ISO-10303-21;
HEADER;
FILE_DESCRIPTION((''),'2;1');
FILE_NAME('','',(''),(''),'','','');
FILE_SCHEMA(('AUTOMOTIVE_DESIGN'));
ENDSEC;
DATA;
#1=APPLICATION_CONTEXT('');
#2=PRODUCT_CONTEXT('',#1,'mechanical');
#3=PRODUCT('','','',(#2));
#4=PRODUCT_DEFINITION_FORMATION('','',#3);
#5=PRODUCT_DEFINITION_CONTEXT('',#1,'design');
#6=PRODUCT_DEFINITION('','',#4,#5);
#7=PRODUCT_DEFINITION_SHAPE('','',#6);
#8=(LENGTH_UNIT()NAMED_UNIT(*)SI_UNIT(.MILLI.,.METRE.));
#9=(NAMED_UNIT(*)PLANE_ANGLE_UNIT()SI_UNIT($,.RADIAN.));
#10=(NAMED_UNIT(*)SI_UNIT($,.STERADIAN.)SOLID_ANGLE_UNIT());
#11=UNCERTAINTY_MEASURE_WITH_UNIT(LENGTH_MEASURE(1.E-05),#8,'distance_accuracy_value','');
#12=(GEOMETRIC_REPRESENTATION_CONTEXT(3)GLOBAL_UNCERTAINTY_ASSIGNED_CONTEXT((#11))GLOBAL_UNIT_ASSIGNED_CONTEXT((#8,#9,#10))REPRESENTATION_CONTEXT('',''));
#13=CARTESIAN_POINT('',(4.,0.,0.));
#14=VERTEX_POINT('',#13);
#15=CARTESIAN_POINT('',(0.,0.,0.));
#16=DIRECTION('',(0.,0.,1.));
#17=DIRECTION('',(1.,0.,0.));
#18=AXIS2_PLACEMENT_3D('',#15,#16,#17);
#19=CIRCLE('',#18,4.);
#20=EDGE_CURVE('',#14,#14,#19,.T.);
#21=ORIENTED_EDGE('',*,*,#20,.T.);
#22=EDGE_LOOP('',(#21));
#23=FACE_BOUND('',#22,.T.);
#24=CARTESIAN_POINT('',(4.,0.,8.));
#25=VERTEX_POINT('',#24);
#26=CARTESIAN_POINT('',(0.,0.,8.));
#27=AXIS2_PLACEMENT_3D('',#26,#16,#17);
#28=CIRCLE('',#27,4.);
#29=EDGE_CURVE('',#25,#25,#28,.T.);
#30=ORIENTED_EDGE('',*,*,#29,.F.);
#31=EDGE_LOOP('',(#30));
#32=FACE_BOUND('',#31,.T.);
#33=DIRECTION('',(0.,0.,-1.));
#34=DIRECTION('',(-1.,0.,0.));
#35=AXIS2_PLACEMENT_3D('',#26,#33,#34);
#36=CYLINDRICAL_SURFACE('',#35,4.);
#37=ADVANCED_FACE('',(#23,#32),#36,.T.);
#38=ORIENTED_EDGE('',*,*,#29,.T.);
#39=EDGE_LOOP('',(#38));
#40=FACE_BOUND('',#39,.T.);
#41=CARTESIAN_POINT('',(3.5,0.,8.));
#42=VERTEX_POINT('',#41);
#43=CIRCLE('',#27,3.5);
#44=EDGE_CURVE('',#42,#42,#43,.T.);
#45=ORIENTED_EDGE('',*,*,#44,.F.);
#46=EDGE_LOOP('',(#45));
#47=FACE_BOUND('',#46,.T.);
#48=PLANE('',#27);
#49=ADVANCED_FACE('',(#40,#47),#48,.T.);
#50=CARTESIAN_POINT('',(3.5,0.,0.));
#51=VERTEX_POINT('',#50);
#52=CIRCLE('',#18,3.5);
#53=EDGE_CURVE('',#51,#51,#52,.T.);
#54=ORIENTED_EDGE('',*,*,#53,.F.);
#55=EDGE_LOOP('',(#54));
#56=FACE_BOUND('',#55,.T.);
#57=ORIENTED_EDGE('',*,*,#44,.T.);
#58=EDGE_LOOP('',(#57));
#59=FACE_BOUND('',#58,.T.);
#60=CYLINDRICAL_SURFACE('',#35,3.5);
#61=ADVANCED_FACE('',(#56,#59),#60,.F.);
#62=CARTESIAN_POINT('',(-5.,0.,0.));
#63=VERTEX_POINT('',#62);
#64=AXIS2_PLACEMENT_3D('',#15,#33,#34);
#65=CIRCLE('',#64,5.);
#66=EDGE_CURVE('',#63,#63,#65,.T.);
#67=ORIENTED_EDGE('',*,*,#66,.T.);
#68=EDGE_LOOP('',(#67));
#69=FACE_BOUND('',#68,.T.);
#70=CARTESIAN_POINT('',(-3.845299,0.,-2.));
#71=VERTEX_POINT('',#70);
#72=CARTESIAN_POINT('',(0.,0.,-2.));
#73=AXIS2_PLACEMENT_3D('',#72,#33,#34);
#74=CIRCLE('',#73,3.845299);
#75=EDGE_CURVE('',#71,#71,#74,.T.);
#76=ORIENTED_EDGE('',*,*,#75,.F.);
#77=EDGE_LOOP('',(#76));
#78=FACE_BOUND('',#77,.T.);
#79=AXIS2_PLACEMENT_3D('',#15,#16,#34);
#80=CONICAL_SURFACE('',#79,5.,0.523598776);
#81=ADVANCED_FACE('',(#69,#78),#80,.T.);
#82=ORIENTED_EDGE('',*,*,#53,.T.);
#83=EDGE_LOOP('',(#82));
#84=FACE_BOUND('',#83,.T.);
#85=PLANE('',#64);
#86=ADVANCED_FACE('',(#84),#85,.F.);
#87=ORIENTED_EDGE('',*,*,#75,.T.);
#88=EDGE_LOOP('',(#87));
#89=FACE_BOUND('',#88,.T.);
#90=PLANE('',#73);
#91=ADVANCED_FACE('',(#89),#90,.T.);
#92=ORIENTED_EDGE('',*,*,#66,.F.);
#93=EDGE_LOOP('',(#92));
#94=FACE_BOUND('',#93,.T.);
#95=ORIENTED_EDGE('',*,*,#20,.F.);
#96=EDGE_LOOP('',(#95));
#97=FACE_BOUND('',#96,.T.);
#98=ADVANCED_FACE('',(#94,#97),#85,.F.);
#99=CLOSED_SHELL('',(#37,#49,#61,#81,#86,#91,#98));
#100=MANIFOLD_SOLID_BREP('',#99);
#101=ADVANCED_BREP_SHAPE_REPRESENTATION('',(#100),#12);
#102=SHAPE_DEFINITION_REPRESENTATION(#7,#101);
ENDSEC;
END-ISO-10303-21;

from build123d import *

# Parameters (mm, degrees)
SKETCH2_R           = 4
SKETCH2_R_2         = 3.5
BOSS_EXTRUDE1_DEPTH = 8
SKETCH3_R           = 5
BOSS_EXTRUDE2_DEPTH = 2
BOSS_EXTRUDE2_TAPER = 30


with BuildPart() as part:
    # Sketch2 → Boss-Extrude1 (new body)
    with BuildSketch(Plane.XY):
        Circle(SKETCH2_R)
        Circle(SKETCH2_R_2, mode=Mode.SUBTRACT)
    extrude(amount=BOSS_EXTRUDE1_DEPTH)

    # Sketch3 → Boss-Extrude2 (add)
    with BuildSketch(Plane(origin=(0, 0, 0), x_dir=(-1, 0, 0), z_dir=(0, 0, -1))):
        Circle(SKETCH3_R)
    extrude(amount=BOSS_EXTRUDE2_DEPTH, taper=BOSS_EXTRUDE2_TAPER)


solid = part.part
